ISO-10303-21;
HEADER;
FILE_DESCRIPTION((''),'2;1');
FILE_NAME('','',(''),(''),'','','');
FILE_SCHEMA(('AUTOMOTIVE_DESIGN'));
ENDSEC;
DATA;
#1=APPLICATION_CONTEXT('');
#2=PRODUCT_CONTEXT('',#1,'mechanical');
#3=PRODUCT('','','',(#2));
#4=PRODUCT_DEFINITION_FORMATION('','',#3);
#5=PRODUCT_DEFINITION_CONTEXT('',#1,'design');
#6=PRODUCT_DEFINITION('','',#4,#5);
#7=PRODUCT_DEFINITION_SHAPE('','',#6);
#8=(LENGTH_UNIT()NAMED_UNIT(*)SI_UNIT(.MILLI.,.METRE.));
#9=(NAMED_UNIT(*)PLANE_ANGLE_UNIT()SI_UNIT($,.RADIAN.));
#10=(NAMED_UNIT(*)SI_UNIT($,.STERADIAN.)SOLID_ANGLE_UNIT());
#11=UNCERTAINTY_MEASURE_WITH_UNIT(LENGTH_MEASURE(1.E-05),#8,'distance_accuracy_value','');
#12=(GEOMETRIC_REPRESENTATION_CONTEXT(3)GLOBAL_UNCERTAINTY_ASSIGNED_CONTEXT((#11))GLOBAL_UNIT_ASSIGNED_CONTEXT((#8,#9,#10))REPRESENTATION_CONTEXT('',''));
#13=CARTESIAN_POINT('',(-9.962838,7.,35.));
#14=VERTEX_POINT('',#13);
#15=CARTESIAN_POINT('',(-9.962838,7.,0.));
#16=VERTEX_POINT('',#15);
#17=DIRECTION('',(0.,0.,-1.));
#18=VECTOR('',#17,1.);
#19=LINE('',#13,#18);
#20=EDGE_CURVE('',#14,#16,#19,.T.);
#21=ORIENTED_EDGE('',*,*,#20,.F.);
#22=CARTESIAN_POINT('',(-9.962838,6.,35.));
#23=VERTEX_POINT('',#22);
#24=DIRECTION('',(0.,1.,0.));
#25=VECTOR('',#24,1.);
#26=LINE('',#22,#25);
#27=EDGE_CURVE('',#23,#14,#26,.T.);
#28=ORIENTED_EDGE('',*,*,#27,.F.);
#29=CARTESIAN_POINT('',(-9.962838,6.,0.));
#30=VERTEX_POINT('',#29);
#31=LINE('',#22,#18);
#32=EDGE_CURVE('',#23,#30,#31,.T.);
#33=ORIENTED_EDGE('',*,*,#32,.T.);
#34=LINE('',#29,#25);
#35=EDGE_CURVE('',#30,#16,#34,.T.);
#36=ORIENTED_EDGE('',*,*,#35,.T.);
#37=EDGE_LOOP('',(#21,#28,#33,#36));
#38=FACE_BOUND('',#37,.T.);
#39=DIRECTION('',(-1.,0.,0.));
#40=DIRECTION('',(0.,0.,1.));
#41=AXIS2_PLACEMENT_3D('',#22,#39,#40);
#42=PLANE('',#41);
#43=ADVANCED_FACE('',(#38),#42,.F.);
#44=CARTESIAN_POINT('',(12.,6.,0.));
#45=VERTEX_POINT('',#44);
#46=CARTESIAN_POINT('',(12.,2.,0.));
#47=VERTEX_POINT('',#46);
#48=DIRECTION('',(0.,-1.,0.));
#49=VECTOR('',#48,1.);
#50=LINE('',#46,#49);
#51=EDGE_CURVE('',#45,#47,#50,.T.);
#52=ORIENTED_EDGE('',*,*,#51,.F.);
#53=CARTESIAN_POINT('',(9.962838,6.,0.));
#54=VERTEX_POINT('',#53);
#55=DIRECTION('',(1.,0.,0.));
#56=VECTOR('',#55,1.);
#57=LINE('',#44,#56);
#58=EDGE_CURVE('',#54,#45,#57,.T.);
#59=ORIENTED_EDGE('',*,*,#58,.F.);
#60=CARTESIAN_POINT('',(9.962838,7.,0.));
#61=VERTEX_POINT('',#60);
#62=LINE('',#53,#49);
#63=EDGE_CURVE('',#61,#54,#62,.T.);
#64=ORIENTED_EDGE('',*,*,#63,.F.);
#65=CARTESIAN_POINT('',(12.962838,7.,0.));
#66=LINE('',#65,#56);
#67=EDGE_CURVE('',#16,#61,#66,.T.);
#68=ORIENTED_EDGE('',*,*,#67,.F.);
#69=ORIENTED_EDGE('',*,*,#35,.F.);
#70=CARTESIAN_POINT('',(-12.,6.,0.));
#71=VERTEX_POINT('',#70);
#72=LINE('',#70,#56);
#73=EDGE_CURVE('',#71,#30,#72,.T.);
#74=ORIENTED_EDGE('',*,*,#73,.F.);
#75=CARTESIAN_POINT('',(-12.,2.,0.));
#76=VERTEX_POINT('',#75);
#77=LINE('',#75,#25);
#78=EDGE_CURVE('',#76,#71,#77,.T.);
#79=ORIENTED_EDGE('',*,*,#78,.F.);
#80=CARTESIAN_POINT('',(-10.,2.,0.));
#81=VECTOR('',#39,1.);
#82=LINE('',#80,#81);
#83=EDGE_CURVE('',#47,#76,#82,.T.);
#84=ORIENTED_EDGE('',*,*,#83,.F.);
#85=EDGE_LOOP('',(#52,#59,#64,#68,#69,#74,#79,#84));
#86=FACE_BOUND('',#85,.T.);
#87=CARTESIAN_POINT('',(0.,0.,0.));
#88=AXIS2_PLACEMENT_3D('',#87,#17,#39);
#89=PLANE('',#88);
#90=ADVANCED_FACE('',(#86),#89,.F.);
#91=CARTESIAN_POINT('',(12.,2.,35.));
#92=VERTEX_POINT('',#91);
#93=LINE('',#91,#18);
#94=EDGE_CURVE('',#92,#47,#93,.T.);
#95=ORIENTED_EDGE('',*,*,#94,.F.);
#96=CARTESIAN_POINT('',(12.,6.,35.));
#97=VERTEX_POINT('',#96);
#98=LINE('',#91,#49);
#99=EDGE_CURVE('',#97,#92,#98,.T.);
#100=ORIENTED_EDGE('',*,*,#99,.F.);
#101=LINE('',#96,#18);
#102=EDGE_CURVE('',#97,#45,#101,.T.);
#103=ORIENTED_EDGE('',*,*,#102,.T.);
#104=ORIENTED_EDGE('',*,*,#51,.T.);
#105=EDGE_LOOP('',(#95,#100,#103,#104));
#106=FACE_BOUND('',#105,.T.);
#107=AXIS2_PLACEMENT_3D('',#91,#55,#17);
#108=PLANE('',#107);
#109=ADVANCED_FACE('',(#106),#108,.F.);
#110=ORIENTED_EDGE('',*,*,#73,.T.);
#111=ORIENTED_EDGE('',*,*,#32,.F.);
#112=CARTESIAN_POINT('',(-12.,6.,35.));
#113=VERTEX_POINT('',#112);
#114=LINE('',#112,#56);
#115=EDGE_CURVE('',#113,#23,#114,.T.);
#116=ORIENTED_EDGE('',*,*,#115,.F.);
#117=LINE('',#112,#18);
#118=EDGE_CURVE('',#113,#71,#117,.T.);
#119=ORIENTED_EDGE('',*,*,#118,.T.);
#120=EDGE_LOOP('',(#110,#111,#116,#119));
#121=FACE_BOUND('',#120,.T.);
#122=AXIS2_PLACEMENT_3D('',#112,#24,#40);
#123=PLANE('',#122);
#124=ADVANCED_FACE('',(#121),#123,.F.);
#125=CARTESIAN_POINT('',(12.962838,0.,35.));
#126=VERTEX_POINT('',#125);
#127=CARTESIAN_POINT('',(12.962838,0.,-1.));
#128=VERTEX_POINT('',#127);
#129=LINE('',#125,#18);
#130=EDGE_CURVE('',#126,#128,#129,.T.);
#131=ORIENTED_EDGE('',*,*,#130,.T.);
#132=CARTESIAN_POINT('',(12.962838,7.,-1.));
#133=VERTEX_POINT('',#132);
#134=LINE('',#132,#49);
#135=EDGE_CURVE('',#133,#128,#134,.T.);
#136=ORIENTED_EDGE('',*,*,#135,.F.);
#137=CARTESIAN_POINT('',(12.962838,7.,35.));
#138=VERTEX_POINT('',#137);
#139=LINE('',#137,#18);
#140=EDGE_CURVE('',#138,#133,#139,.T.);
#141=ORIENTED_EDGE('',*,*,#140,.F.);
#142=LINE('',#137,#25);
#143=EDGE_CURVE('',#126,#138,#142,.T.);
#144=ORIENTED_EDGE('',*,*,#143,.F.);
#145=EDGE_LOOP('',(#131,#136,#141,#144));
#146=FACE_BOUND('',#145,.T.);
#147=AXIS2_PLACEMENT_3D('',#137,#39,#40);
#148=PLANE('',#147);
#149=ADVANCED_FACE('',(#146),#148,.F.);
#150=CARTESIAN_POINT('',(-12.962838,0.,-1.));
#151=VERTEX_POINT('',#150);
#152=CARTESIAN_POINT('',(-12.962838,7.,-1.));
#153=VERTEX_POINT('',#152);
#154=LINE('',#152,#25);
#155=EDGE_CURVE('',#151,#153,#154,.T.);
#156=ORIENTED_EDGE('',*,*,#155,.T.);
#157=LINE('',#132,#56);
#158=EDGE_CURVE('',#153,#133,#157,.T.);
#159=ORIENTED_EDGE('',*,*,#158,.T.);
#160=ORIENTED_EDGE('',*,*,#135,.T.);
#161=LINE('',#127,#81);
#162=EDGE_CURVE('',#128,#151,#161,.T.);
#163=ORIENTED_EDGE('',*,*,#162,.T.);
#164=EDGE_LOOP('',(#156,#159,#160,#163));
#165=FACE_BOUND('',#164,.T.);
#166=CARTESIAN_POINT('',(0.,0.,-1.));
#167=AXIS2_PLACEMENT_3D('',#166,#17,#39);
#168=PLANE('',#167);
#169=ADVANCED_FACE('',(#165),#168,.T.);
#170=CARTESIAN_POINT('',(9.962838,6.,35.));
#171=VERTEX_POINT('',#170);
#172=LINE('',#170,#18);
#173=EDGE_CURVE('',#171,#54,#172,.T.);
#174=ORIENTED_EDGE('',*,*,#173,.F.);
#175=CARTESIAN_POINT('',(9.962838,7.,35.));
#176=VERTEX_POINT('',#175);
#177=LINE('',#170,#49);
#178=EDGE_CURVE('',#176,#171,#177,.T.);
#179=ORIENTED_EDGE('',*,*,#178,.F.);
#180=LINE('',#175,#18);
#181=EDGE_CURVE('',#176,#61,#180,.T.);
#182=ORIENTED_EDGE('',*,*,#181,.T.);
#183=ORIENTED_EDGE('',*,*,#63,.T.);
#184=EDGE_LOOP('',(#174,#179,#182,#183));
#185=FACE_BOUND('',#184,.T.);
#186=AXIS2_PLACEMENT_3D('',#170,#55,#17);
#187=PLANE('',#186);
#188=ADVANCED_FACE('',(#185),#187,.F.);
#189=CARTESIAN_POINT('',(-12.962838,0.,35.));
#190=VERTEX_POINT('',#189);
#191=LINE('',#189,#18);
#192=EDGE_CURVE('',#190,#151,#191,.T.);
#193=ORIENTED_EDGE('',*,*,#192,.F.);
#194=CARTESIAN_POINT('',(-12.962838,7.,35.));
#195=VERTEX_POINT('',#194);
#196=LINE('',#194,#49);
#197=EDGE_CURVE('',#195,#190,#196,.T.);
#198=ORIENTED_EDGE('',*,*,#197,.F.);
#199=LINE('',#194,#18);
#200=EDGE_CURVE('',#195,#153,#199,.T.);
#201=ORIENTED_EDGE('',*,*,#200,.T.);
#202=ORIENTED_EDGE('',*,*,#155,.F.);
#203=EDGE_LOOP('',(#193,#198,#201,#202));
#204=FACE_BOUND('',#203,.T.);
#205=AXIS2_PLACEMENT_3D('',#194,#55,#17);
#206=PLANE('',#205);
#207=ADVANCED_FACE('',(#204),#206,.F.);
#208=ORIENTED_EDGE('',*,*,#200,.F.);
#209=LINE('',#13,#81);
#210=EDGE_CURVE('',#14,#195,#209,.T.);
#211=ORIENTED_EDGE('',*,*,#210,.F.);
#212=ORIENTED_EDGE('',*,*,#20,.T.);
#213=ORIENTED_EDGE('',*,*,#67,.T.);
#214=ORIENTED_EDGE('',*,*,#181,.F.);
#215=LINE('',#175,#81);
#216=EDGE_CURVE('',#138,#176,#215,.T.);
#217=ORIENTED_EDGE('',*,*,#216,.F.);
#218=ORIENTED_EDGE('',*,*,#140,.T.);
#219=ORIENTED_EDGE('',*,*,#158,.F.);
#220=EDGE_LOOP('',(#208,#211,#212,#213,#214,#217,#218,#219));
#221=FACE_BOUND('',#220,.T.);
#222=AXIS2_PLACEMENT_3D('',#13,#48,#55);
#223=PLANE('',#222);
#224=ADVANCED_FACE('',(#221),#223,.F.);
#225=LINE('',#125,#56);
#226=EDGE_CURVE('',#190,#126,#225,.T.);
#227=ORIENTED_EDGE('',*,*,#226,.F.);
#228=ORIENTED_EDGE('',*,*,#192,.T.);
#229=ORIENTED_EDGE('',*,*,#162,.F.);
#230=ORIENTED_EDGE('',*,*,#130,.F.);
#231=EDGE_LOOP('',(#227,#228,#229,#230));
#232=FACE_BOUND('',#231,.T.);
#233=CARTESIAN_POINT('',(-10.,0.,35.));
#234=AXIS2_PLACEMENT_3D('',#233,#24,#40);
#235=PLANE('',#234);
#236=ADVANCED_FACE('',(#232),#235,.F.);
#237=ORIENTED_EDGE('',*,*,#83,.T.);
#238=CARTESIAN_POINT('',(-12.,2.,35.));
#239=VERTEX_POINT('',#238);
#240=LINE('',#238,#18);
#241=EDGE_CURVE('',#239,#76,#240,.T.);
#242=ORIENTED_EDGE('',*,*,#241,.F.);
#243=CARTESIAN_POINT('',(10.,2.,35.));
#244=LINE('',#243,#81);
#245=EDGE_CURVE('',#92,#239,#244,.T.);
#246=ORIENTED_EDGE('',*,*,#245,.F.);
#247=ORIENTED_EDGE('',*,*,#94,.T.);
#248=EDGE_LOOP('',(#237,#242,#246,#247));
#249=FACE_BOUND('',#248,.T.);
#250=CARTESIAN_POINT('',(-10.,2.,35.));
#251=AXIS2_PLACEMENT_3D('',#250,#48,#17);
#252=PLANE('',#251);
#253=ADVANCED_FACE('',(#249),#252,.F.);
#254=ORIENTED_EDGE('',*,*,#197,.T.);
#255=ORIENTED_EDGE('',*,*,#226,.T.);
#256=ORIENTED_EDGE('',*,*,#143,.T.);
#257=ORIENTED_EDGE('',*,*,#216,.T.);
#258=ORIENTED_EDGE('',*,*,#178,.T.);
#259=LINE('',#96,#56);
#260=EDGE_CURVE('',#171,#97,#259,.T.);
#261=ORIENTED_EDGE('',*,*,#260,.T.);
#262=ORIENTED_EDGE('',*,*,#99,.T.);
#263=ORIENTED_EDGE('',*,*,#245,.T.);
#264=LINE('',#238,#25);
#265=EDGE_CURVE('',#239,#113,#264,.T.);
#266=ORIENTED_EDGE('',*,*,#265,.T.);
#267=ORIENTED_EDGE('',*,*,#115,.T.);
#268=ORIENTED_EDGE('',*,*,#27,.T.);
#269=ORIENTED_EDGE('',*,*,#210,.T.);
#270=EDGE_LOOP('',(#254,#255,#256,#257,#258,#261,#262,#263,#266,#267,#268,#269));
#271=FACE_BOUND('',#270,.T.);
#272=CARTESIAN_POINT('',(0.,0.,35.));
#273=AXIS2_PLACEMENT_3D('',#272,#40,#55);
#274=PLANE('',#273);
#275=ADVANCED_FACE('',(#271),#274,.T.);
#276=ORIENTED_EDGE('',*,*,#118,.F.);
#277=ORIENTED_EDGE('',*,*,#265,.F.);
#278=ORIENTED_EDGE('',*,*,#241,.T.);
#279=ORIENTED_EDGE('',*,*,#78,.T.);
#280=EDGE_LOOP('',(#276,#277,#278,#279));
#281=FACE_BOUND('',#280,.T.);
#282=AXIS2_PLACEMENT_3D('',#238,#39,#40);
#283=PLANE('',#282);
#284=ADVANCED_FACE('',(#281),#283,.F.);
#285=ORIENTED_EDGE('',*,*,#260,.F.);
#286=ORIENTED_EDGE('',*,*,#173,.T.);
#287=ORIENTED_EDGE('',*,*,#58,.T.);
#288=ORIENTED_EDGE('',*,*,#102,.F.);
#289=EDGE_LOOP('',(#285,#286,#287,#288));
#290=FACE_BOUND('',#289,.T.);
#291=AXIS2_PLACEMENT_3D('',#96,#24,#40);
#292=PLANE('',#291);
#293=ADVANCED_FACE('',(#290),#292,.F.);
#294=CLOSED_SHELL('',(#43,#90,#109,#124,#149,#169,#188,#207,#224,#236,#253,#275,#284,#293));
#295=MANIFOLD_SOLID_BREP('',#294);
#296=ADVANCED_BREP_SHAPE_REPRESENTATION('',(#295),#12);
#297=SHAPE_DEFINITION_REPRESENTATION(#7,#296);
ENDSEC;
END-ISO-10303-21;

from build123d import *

# Parameters (mm, degrees)
EXTRUDE_2_DEPTH = 35
SKETCH_3_W      = 25.925675676
SKETCH_3_H      = 7
EXTRUDE_3_DEPTH = 1


with BuildPart() as part:
    # 草图2 → 凸台-拉伸2 (new body)
    with BuildSketch(Plane.XY):
        Polygon((-10, 0), (10, 0), (12.962837838, 0), (12.962837838, 7), (9.962837838, 7), (9.962837838, 6), (12, 6), (12, 2), (10, 2), (-10, 2), (-12, 2), (-12, 6), (-9.962837838, 6), (-9.962837838, 7), (-12.962837838, 7), (-12.962837838, 0), align=None)
    extrude(amount=EXTRUDE_2_DEPTH)

    # 草图3 → 凸台-拉伸3 (add)
    with BuildSketch(Plane(origin=(0, 0, 0), x_dir=(-1, 0, 0), z_dir=(0, 0, -1))):
        with Locations((0, 3.5)):
            Rectangle(SKETCH_3_W, SKETCH_3_H)
    extrude(amount=EXTRUDE_3_DEPTH)


solid = part.part
